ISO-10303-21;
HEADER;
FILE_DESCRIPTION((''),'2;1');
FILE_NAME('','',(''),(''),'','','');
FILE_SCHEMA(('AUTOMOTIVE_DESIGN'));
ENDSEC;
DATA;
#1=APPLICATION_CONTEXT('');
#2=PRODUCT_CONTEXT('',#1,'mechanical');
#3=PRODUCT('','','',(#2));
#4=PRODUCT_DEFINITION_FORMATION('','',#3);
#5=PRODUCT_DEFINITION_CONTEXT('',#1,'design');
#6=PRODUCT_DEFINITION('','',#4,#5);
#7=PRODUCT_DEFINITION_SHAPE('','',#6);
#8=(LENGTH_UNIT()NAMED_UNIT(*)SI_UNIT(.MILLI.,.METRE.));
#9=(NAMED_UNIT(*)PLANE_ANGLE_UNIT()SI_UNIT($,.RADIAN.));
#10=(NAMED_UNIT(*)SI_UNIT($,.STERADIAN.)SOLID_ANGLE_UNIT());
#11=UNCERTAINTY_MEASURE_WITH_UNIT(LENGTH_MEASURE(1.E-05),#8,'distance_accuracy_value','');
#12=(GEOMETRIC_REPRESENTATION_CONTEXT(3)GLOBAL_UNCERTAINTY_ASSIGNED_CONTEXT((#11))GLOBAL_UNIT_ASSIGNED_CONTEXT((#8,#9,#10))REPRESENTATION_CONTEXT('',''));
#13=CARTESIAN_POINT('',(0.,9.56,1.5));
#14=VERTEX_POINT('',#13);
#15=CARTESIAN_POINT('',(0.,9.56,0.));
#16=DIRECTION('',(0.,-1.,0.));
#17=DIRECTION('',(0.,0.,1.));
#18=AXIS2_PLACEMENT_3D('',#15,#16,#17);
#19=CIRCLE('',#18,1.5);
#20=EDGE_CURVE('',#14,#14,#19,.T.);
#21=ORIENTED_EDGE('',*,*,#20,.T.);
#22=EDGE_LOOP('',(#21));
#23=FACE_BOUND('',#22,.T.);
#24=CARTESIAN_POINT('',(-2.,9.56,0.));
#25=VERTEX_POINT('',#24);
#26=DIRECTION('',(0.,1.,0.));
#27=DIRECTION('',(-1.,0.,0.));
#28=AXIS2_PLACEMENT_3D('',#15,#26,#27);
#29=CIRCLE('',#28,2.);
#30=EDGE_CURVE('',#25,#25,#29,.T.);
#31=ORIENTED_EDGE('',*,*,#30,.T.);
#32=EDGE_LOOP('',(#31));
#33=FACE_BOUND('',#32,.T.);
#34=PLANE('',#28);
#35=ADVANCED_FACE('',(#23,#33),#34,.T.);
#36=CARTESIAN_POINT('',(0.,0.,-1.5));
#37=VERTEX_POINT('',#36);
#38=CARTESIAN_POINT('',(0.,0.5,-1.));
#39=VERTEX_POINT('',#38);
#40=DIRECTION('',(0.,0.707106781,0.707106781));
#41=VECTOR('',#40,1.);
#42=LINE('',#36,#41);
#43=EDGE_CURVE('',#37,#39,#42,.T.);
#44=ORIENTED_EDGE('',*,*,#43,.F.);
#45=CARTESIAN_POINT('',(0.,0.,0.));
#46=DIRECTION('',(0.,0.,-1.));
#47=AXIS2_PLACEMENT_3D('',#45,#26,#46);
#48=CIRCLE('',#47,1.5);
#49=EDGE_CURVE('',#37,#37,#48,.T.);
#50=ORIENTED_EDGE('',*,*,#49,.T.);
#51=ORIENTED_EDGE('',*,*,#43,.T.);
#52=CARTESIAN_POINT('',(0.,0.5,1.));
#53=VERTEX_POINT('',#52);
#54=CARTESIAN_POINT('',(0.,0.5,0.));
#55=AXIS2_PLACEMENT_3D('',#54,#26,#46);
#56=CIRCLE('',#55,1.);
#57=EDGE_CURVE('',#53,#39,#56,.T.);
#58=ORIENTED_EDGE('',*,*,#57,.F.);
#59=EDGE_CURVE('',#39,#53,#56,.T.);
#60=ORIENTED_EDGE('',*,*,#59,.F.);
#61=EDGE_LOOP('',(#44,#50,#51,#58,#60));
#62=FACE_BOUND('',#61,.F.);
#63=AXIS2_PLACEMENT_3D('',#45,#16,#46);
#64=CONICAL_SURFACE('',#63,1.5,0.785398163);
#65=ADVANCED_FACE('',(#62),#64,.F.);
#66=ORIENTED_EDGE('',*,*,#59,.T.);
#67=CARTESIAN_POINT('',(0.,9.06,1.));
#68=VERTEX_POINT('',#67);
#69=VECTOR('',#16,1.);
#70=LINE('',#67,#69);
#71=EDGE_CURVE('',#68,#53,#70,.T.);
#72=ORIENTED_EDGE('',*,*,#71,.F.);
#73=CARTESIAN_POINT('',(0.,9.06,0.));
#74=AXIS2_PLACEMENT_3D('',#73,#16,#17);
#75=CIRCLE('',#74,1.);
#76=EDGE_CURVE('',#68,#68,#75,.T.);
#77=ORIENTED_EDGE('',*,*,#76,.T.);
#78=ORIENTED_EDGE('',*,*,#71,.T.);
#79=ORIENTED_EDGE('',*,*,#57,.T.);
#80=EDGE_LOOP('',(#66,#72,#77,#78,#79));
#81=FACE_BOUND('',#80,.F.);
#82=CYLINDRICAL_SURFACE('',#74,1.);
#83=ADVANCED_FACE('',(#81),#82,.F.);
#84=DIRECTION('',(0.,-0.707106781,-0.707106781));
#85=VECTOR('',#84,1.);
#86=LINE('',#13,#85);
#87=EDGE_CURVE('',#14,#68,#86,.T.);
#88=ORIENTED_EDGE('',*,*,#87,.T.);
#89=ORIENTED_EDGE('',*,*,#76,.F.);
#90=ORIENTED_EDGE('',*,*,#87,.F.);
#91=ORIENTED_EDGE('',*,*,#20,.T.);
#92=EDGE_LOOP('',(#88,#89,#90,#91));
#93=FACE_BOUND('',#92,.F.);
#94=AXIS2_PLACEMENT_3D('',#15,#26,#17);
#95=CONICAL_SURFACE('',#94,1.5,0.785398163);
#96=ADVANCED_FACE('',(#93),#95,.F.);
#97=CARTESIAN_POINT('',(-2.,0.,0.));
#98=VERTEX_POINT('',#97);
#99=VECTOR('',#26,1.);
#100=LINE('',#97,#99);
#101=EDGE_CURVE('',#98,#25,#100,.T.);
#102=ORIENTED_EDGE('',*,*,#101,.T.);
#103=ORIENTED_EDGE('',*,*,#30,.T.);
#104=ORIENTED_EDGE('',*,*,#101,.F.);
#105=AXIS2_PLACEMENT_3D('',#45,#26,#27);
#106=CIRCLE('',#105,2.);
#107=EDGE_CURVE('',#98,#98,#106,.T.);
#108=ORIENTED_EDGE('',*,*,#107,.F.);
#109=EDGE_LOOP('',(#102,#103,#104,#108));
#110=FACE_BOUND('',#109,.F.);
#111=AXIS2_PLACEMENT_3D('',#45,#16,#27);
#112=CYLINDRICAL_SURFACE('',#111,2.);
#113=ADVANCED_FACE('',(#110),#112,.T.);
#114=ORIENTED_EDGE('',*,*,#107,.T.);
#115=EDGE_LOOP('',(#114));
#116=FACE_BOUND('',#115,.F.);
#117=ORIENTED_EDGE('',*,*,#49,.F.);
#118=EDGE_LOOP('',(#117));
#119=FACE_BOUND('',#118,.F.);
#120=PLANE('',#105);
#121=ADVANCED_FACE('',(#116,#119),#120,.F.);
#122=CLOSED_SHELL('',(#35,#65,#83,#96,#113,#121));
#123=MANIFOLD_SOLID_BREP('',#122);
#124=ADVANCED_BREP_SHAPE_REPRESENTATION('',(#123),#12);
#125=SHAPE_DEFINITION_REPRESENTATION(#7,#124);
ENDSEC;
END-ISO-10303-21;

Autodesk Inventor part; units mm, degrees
ref_plane "YZ Plane" through (0, 0, 0) normal (1, 0, 0) x (0, 1, 0)
ref_plane "XZ Plane" through (0, 0, 0) normal (0, 1, 0) x (-1, 0, 0)
ref_plane "XY Plane" through (0, 0, 0) normal (0, 0, 1) x (1, 0, 0)
sketch "スケッチ1" plane through (0, 0, 0) normal (0, 1, 0) x (-1, 0, 0)
  circle A0 centre (0, 0) radius 2
  dimension "d0" = 4
extrude "押し出し1" add sketch "スケッチ1" along normal blind 9.56
sketch "スケッチ2" plane through (0, 9.56, 0) normal (0, 1, 0) x (1, 0, 0)
  point P0 (0, 0)
hole "穴1" at (0, 9.56, 0) direction (0, -1, 0) diameter 2 end through all countersink diameter 3 countersink angle 90 clearance for "Countersunk Flat Head Screw ISO 2009/7046" size "M2" standard "ISO"
sketch "スケッチ3" plane through (0, 0, 0) normal (0, -1, 0) x (1, 0, 0)
  point P0 (0, 0)
hole "穴2" at (0, 0, 0) direction (0, 1, 0) diameter 2 end through all countersink diameter 3 countersink angle 90 clearance for "Countersunk Flat Head Screw ISO 2009/7046" size "M2" standard "ISO"
properties part number "shaft" material "鉄、鋳鉄"
